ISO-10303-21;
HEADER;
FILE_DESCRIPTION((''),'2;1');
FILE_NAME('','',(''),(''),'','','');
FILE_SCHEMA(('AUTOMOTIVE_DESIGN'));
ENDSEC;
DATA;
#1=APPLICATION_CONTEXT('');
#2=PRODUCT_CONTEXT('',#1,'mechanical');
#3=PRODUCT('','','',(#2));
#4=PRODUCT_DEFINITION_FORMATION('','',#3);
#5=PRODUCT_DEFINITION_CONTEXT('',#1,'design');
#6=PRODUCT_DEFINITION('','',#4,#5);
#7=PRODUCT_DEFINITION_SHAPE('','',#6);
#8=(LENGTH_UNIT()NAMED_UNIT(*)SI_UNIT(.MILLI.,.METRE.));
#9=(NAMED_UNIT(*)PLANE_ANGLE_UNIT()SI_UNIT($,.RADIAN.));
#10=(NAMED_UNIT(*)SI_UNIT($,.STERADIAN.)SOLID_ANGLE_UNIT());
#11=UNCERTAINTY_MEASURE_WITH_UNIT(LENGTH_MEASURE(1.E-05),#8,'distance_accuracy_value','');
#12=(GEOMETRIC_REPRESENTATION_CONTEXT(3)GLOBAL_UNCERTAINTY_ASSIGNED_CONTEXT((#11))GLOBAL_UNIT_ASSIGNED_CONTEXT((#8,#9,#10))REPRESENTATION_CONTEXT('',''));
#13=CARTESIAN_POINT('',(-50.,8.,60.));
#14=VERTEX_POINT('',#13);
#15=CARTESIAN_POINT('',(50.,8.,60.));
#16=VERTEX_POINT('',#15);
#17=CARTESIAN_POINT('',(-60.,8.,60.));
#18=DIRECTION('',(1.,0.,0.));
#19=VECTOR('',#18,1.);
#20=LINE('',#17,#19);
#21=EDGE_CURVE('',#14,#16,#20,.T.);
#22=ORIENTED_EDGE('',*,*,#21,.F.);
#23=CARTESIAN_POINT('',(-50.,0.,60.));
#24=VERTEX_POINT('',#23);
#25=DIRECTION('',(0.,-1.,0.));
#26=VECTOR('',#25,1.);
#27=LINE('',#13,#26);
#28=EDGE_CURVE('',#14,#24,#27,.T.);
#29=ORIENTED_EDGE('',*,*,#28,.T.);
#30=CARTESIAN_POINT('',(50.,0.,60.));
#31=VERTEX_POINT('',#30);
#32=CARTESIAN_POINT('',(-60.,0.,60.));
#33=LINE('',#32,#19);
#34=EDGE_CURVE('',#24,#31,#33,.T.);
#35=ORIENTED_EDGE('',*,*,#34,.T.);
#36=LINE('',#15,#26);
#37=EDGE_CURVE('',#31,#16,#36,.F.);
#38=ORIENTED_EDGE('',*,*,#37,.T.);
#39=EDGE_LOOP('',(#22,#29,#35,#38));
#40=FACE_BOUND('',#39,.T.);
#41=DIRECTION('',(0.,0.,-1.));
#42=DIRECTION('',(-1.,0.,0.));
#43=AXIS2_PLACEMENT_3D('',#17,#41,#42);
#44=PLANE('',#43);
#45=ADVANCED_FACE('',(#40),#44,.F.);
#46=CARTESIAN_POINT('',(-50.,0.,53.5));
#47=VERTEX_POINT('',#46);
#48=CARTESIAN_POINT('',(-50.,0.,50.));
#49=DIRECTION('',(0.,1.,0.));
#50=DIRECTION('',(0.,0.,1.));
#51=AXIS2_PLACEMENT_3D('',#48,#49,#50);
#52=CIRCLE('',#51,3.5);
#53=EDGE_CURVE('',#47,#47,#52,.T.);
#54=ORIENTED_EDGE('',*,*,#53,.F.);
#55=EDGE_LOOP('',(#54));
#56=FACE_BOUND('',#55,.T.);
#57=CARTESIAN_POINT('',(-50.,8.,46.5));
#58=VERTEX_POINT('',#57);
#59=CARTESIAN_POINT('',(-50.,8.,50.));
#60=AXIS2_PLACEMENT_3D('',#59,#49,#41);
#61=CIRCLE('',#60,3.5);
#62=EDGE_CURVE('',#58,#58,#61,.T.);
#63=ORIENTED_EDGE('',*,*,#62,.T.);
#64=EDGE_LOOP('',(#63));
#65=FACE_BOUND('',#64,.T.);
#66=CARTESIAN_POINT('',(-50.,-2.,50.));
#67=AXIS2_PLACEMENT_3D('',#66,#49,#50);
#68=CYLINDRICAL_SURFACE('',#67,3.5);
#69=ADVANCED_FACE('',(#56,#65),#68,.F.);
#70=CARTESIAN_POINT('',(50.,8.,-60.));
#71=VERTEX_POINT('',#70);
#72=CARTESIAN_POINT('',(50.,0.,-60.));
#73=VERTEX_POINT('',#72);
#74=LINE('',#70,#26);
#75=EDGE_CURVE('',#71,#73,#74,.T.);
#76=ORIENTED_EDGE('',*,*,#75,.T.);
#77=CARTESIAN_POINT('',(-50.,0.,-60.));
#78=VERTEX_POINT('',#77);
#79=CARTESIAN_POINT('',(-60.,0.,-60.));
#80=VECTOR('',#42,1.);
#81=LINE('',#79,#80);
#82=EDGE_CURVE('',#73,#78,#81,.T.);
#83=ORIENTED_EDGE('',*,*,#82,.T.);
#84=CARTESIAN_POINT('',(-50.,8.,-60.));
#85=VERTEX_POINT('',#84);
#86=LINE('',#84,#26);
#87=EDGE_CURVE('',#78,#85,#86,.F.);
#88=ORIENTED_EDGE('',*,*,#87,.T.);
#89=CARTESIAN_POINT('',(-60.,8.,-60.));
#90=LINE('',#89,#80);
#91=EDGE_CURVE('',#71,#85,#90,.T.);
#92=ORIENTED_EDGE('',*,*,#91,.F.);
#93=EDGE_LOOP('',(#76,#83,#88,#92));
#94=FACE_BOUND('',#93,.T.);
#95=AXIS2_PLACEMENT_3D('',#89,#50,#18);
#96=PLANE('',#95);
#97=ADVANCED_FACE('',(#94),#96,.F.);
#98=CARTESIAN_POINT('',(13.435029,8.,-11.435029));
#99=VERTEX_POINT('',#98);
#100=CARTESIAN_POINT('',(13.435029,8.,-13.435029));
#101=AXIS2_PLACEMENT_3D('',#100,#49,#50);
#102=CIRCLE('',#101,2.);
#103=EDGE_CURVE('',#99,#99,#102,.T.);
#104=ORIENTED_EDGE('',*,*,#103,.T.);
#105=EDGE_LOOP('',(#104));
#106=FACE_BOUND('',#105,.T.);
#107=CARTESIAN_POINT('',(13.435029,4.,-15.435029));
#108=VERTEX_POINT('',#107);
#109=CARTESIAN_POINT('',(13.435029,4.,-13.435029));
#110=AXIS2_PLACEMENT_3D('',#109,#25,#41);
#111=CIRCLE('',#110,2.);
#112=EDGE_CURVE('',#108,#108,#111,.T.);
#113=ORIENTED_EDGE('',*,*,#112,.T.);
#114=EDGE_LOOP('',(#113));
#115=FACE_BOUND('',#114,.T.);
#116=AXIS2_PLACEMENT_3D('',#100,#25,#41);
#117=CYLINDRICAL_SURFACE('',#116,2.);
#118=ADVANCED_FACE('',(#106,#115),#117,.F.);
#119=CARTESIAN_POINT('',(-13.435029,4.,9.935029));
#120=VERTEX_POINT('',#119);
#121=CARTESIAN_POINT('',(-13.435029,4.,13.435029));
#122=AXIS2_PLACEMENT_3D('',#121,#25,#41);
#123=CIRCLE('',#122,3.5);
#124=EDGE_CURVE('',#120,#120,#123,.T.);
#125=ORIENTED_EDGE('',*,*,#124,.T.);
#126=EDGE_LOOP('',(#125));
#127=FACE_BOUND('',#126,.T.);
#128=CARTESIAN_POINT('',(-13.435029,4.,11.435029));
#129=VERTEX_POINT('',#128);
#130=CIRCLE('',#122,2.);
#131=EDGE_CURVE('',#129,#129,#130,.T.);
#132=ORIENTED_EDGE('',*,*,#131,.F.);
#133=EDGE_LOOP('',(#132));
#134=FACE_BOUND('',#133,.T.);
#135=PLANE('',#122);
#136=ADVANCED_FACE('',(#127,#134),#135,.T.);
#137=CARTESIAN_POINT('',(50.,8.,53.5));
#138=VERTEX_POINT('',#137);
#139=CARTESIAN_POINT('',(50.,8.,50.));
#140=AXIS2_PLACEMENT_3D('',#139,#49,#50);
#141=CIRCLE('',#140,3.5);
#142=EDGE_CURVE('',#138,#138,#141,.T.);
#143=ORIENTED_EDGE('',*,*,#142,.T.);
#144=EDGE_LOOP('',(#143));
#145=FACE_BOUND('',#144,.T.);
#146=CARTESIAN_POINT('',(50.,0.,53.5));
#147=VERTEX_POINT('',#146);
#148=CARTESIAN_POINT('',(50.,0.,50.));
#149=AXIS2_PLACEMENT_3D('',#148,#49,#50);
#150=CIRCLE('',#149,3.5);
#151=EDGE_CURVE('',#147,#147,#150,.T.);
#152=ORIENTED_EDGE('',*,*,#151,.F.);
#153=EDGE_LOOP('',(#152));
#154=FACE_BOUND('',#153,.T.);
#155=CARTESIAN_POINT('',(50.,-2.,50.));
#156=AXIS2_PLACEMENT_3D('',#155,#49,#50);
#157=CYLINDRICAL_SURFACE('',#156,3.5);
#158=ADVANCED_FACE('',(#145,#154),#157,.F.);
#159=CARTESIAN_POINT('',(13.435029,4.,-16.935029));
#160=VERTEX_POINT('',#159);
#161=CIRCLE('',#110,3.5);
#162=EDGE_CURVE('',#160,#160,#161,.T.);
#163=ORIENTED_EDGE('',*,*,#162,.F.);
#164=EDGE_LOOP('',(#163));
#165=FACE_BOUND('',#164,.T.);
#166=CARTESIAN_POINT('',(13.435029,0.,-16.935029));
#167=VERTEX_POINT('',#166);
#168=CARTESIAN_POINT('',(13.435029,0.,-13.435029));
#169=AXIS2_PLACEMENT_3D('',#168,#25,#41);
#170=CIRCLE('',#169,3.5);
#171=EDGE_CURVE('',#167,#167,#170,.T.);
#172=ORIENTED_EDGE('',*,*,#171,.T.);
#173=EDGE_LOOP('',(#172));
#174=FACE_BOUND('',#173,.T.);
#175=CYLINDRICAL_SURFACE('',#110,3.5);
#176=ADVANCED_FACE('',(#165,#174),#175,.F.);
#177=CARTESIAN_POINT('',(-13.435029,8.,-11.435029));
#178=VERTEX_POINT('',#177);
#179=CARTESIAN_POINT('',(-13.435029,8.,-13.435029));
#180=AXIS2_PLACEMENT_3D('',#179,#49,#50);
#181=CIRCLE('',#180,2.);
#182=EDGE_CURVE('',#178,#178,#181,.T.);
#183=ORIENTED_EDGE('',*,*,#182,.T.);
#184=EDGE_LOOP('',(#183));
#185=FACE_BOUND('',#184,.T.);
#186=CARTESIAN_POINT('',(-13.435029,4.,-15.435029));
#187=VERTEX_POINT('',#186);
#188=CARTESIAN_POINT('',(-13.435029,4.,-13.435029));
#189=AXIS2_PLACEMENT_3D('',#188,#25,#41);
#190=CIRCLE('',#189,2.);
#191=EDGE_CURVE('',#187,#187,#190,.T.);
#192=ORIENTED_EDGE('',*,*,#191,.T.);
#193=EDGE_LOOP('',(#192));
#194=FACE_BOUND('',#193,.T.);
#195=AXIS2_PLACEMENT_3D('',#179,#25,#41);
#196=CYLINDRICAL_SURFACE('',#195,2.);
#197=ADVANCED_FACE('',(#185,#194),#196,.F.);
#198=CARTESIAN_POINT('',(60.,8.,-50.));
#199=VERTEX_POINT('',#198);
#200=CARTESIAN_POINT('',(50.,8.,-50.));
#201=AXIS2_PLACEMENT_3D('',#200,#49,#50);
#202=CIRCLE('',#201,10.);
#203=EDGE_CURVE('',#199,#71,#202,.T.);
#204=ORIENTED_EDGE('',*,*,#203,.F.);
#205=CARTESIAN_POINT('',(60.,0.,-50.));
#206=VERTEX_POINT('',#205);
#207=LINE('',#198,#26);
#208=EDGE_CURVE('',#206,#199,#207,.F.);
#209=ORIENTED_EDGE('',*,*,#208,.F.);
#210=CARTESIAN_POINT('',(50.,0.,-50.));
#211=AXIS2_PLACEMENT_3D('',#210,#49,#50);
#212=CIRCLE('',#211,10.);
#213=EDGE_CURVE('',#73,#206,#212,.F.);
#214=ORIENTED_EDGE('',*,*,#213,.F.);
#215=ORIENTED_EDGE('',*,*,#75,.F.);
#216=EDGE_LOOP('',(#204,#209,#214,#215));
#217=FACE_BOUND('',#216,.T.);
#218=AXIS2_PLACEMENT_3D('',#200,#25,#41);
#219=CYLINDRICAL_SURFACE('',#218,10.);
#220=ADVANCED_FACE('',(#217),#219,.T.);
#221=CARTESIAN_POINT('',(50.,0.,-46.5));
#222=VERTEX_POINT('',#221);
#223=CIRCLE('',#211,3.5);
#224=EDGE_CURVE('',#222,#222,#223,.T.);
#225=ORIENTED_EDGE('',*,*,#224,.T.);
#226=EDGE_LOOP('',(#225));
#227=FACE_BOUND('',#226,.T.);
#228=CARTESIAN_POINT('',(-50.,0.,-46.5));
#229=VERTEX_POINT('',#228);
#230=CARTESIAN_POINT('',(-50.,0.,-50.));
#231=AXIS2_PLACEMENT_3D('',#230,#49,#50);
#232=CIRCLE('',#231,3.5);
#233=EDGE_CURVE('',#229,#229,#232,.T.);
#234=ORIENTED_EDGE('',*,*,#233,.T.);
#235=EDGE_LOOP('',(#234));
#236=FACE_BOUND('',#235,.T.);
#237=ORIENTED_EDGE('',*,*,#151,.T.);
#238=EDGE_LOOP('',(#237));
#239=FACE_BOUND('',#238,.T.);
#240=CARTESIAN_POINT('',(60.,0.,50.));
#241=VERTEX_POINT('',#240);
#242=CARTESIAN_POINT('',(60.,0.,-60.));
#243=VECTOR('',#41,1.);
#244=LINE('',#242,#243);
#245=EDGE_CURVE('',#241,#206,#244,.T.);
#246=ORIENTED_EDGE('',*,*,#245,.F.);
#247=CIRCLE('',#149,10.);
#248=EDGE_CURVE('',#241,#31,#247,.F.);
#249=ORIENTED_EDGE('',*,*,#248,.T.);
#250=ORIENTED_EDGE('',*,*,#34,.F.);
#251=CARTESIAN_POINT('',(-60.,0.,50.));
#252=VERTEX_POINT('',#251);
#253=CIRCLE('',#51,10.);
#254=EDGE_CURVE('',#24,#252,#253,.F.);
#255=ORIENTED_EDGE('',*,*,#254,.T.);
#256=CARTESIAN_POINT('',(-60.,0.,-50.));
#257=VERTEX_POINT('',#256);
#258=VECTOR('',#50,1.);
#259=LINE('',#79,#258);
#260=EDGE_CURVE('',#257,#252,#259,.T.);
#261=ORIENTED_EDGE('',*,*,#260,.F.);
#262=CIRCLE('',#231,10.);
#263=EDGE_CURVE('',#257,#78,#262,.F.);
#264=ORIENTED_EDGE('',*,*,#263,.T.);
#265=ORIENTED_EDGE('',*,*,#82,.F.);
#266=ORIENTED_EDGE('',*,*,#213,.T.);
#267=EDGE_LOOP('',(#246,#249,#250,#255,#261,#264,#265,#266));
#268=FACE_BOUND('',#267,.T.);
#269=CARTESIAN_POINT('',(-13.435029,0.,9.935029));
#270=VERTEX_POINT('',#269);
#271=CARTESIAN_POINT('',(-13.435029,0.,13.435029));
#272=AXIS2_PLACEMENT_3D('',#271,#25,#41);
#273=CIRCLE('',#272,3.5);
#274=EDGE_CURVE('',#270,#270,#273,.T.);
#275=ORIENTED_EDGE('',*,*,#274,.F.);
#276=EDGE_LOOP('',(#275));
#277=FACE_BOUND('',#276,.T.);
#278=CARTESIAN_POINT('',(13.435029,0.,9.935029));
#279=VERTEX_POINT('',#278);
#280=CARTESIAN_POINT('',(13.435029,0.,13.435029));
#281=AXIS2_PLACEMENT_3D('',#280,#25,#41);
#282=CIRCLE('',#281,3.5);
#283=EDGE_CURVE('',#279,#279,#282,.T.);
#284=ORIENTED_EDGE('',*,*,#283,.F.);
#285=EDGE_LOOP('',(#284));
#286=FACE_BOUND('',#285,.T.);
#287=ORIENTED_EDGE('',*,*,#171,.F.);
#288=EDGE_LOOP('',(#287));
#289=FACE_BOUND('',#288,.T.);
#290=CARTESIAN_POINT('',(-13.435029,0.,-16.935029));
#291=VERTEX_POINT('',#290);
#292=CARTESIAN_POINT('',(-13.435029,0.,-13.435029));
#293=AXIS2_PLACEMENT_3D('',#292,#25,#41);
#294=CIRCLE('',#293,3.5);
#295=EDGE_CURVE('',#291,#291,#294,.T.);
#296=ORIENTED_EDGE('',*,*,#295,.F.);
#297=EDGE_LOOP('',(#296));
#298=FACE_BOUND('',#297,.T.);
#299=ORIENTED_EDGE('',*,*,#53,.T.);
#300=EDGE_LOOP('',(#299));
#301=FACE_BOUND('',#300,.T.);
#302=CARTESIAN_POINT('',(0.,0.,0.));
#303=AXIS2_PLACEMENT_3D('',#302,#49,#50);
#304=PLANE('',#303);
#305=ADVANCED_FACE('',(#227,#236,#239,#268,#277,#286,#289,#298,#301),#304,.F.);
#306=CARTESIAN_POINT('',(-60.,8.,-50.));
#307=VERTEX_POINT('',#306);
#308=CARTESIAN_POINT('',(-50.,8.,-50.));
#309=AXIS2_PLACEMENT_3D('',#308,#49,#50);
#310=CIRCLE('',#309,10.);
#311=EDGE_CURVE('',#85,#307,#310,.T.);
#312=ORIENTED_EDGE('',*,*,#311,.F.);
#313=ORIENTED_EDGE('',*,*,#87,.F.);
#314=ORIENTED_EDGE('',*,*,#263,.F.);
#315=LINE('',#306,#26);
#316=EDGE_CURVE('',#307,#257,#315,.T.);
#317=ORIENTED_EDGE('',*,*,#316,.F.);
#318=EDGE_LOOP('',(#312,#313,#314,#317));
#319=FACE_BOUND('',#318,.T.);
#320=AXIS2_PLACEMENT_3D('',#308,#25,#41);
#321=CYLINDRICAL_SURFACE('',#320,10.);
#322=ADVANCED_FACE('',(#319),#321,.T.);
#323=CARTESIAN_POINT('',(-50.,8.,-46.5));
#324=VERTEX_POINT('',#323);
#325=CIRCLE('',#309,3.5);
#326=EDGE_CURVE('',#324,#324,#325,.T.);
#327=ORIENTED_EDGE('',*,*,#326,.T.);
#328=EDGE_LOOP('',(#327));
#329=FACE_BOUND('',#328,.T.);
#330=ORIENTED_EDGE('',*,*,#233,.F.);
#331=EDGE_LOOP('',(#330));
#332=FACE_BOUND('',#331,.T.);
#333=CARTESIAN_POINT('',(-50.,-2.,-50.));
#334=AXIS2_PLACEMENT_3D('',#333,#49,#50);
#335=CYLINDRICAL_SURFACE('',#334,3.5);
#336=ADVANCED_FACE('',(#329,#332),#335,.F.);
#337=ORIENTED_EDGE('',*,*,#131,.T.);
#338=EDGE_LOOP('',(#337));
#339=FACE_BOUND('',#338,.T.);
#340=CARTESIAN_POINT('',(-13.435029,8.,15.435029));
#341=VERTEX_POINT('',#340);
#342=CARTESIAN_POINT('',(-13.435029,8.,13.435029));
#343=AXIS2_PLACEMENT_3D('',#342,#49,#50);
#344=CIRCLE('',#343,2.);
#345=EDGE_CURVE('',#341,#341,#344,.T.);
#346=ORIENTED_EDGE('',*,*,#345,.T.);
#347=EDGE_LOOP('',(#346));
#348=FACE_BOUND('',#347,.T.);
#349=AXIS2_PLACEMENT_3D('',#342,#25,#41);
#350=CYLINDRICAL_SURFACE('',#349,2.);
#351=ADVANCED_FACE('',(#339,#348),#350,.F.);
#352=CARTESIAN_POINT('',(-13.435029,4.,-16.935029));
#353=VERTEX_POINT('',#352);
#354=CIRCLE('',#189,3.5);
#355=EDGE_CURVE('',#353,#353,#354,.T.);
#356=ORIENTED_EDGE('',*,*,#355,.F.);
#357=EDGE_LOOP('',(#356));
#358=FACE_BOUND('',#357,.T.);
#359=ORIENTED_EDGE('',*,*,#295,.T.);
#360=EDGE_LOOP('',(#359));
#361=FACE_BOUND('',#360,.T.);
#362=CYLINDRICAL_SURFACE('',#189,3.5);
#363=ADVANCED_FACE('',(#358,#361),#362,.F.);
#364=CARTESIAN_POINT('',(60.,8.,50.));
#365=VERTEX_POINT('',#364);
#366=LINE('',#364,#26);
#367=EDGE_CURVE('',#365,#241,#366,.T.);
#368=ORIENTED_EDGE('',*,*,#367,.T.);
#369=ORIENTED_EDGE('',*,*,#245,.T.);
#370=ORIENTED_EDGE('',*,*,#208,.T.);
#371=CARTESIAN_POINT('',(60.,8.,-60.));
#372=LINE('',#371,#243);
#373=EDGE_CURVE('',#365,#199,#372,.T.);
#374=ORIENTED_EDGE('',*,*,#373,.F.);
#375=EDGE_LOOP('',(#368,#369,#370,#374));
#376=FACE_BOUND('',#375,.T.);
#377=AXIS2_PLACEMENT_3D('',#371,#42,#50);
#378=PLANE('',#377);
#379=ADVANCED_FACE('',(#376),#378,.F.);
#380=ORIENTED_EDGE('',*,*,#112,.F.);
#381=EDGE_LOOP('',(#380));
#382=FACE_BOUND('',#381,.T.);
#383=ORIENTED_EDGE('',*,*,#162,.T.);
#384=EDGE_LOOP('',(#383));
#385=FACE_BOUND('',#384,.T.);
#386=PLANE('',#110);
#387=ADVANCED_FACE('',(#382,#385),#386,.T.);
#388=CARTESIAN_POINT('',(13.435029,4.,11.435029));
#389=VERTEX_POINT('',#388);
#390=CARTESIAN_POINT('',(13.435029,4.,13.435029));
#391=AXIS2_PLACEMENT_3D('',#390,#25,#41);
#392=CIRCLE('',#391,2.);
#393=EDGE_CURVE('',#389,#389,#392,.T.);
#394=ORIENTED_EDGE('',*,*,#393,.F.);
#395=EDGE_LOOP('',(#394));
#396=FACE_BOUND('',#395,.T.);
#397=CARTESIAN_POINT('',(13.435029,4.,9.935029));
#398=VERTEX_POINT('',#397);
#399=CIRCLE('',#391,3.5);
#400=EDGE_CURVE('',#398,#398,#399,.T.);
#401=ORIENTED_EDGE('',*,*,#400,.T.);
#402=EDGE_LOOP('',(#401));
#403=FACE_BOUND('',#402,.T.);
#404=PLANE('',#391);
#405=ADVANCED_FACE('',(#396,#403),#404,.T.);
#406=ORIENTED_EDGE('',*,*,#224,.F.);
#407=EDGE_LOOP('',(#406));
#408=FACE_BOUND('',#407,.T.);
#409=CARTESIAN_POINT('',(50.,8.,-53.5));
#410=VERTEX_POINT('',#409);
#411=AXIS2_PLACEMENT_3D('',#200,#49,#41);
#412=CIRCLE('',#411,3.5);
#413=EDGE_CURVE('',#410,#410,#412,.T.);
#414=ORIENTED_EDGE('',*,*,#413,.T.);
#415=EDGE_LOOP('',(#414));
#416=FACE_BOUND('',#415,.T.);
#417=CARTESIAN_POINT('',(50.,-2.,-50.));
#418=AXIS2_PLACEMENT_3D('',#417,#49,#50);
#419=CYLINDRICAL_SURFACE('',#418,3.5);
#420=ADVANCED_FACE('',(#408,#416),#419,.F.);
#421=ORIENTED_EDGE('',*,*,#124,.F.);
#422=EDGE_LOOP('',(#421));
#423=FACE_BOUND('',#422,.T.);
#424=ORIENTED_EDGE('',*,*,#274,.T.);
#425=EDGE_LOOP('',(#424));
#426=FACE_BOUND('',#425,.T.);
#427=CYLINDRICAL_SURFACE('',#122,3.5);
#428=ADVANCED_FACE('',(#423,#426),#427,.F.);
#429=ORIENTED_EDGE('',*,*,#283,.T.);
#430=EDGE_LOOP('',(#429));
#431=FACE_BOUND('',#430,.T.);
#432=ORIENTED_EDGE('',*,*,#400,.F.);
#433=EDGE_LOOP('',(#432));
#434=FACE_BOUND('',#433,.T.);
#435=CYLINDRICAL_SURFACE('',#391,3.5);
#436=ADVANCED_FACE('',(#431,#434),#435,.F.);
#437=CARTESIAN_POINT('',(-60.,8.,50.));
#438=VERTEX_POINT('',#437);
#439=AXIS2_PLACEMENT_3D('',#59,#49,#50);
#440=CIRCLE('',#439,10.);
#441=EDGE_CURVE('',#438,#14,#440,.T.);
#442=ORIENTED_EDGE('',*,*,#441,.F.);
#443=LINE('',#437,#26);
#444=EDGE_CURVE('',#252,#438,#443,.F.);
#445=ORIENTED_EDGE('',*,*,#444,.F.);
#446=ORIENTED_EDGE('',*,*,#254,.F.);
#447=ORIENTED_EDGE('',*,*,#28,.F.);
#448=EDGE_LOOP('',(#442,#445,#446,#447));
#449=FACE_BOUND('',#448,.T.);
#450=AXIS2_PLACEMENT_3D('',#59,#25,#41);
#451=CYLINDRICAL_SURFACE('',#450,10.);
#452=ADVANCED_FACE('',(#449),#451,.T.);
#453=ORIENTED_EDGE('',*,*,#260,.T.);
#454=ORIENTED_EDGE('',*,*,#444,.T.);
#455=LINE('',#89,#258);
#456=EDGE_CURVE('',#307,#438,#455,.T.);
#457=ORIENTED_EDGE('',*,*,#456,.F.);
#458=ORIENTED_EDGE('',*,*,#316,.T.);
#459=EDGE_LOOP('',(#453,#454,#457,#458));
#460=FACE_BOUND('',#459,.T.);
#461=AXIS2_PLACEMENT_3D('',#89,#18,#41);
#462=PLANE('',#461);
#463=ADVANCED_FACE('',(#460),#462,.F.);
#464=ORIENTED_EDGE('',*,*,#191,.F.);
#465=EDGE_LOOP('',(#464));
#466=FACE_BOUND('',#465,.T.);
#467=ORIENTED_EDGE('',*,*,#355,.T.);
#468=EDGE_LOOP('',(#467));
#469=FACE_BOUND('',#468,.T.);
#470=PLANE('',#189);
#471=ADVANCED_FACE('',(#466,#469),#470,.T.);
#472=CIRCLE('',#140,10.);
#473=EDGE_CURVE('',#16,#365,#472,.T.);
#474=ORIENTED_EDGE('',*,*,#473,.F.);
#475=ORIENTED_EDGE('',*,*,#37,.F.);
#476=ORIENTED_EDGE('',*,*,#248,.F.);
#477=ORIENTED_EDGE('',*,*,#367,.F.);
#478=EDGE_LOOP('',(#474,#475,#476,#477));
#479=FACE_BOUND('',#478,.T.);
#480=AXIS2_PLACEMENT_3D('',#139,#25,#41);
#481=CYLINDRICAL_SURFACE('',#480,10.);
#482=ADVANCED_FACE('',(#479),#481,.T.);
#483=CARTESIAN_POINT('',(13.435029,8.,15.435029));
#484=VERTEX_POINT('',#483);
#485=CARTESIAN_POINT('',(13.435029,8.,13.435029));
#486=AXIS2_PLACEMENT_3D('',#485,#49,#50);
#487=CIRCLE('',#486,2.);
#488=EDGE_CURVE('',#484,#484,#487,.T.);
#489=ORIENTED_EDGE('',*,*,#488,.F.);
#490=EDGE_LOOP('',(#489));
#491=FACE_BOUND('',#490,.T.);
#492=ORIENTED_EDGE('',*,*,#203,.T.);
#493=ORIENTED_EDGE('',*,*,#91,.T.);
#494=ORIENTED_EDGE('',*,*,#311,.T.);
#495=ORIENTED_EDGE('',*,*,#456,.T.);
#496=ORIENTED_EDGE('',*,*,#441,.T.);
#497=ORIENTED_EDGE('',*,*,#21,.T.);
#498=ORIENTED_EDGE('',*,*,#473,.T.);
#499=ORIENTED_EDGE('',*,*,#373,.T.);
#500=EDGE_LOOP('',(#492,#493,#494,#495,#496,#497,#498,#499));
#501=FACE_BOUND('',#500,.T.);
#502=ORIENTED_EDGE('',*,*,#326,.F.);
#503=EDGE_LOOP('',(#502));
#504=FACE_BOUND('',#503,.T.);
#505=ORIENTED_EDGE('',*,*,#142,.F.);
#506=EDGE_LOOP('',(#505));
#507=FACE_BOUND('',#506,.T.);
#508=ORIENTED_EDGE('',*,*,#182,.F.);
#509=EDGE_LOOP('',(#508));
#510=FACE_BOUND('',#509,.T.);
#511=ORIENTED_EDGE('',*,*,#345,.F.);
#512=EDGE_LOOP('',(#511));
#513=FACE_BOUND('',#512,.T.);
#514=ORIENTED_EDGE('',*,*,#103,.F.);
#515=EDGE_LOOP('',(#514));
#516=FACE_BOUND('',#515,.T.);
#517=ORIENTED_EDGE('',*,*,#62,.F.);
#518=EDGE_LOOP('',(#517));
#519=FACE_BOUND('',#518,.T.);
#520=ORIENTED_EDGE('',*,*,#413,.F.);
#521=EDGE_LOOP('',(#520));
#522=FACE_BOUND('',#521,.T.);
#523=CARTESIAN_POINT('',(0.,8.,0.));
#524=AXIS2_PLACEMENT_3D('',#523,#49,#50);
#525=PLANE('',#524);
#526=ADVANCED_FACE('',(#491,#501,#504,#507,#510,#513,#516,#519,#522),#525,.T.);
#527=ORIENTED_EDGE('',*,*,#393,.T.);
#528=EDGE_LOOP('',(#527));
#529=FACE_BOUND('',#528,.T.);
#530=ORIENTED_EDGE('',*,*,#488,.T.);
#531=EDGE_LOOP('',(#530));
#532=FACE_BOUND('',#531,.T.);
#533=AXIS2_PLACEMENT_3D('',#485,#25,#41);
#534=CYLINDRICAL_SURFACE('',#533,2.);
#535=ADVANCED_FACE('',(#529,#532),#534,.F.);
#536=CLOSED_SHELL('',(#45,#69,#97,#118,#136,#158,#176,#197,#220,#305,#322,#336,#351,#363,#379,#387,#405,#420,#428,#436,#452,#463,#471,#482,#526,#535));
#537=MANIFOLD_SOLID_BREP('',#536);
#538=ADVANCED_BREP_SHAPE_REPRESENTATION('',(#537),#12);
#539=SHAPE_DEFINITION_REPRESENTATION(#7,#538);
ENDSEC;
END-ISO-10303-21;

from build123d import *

# Parameters (mm, degrees)
SKETCH_1_W          = 120
SKETCH_1_H          = 120
SKETCH_1_R          = 2
EXTRUDE_1_DEPTH     = 8
SKETCH_2_R          = 3.5
CUT_EXTRUDE_1_DEPTH = 10
SKETCH_3_R          = 3.5
CUT_EXTRUDE_2_DEPTH = 4
FILLET_1_R          = 10


with BuildPart() as part:
    # 草图1 → 凸台-拉伸1 (new body)
    with BuildSketch(Plane(origin=(0, 0, 0), x_dir=(1, 0, 0), z_dir=(0, 1, 0))):
        Rectangle(SKETCH_1_W, SKETCH_1_H)
        with Locations((-13.435028843, 13.435028843)):
            Circle(SKETCH_1_R, mode=Mode.SUBTRACT)
        with Locations((13.435028843, 13.435028843)):
            Circle(SKETCH_1_R, mode=Mode.SUBTRACT)
        with Locations((13.435028843, -13.435028843)):
            Circle(SKETCH_1_R, mode=Mode.SUBTRACT)
        with Locations((-13.435028843, -13.435028843)):
            Circle(SKETCH_1_R, mode=Mode.SUBTRACT)
    extrude(amount=EXTRUDE_1_DEPTH)

    # 草图2 → 切除-拉伸1 (cut)
    with BuildSketch(Plane(origin=(0, 8, 0), x_dir=(1, 0, 0), z_dir=(0, 1, 0))):
        with Locations((-50, 50)):
            Circle(SKETCH_2_R)
        with Locations((50, 50)):
            Circle(SKETCH_2_R)
        with Locations((50, -50)):
            Circle(SKETCH_2_R)
        with Locations((-50, -50)):
            Circle(SKETCH_2_R)
    extrude(amount=-CUT_EXTRUDE_1_DEPTH, mode=Mode.SUBTRACT)

    # 草图3 → 切除-拉伸2 (cut)
    with BuildSketch(Plane.XZ):
        with Locations((-13.435028843, 13.435028843)):
            Circle(SKETCH_3_R)
        with Locations((13.435028843, 13.435028843)):
            Circle(SKETCH_3_R)
        with Locations((-13.435028843, -13.435028843)):
            Circle(SKETCH_3_R)
        with Locations((13.435028843, -13.435028843)):
            Circle(SKETCH_3_R)
    extrude(amount=-CUT_EXTRUDE_2_DEPTH, mode=Mode.SUBTRACT)

    # 圆角1
    fillet_1_edges = [part.edges().sort_by_distance(p)[0] for p in [
        (60, 4, 60),
        (-60, 4, 60),
        (-60, 4, -60),
        (60, 4, -60),
    ]]
    fillet(fillet_1_edges, radius=FILLET_1_R)


solid = part.part
